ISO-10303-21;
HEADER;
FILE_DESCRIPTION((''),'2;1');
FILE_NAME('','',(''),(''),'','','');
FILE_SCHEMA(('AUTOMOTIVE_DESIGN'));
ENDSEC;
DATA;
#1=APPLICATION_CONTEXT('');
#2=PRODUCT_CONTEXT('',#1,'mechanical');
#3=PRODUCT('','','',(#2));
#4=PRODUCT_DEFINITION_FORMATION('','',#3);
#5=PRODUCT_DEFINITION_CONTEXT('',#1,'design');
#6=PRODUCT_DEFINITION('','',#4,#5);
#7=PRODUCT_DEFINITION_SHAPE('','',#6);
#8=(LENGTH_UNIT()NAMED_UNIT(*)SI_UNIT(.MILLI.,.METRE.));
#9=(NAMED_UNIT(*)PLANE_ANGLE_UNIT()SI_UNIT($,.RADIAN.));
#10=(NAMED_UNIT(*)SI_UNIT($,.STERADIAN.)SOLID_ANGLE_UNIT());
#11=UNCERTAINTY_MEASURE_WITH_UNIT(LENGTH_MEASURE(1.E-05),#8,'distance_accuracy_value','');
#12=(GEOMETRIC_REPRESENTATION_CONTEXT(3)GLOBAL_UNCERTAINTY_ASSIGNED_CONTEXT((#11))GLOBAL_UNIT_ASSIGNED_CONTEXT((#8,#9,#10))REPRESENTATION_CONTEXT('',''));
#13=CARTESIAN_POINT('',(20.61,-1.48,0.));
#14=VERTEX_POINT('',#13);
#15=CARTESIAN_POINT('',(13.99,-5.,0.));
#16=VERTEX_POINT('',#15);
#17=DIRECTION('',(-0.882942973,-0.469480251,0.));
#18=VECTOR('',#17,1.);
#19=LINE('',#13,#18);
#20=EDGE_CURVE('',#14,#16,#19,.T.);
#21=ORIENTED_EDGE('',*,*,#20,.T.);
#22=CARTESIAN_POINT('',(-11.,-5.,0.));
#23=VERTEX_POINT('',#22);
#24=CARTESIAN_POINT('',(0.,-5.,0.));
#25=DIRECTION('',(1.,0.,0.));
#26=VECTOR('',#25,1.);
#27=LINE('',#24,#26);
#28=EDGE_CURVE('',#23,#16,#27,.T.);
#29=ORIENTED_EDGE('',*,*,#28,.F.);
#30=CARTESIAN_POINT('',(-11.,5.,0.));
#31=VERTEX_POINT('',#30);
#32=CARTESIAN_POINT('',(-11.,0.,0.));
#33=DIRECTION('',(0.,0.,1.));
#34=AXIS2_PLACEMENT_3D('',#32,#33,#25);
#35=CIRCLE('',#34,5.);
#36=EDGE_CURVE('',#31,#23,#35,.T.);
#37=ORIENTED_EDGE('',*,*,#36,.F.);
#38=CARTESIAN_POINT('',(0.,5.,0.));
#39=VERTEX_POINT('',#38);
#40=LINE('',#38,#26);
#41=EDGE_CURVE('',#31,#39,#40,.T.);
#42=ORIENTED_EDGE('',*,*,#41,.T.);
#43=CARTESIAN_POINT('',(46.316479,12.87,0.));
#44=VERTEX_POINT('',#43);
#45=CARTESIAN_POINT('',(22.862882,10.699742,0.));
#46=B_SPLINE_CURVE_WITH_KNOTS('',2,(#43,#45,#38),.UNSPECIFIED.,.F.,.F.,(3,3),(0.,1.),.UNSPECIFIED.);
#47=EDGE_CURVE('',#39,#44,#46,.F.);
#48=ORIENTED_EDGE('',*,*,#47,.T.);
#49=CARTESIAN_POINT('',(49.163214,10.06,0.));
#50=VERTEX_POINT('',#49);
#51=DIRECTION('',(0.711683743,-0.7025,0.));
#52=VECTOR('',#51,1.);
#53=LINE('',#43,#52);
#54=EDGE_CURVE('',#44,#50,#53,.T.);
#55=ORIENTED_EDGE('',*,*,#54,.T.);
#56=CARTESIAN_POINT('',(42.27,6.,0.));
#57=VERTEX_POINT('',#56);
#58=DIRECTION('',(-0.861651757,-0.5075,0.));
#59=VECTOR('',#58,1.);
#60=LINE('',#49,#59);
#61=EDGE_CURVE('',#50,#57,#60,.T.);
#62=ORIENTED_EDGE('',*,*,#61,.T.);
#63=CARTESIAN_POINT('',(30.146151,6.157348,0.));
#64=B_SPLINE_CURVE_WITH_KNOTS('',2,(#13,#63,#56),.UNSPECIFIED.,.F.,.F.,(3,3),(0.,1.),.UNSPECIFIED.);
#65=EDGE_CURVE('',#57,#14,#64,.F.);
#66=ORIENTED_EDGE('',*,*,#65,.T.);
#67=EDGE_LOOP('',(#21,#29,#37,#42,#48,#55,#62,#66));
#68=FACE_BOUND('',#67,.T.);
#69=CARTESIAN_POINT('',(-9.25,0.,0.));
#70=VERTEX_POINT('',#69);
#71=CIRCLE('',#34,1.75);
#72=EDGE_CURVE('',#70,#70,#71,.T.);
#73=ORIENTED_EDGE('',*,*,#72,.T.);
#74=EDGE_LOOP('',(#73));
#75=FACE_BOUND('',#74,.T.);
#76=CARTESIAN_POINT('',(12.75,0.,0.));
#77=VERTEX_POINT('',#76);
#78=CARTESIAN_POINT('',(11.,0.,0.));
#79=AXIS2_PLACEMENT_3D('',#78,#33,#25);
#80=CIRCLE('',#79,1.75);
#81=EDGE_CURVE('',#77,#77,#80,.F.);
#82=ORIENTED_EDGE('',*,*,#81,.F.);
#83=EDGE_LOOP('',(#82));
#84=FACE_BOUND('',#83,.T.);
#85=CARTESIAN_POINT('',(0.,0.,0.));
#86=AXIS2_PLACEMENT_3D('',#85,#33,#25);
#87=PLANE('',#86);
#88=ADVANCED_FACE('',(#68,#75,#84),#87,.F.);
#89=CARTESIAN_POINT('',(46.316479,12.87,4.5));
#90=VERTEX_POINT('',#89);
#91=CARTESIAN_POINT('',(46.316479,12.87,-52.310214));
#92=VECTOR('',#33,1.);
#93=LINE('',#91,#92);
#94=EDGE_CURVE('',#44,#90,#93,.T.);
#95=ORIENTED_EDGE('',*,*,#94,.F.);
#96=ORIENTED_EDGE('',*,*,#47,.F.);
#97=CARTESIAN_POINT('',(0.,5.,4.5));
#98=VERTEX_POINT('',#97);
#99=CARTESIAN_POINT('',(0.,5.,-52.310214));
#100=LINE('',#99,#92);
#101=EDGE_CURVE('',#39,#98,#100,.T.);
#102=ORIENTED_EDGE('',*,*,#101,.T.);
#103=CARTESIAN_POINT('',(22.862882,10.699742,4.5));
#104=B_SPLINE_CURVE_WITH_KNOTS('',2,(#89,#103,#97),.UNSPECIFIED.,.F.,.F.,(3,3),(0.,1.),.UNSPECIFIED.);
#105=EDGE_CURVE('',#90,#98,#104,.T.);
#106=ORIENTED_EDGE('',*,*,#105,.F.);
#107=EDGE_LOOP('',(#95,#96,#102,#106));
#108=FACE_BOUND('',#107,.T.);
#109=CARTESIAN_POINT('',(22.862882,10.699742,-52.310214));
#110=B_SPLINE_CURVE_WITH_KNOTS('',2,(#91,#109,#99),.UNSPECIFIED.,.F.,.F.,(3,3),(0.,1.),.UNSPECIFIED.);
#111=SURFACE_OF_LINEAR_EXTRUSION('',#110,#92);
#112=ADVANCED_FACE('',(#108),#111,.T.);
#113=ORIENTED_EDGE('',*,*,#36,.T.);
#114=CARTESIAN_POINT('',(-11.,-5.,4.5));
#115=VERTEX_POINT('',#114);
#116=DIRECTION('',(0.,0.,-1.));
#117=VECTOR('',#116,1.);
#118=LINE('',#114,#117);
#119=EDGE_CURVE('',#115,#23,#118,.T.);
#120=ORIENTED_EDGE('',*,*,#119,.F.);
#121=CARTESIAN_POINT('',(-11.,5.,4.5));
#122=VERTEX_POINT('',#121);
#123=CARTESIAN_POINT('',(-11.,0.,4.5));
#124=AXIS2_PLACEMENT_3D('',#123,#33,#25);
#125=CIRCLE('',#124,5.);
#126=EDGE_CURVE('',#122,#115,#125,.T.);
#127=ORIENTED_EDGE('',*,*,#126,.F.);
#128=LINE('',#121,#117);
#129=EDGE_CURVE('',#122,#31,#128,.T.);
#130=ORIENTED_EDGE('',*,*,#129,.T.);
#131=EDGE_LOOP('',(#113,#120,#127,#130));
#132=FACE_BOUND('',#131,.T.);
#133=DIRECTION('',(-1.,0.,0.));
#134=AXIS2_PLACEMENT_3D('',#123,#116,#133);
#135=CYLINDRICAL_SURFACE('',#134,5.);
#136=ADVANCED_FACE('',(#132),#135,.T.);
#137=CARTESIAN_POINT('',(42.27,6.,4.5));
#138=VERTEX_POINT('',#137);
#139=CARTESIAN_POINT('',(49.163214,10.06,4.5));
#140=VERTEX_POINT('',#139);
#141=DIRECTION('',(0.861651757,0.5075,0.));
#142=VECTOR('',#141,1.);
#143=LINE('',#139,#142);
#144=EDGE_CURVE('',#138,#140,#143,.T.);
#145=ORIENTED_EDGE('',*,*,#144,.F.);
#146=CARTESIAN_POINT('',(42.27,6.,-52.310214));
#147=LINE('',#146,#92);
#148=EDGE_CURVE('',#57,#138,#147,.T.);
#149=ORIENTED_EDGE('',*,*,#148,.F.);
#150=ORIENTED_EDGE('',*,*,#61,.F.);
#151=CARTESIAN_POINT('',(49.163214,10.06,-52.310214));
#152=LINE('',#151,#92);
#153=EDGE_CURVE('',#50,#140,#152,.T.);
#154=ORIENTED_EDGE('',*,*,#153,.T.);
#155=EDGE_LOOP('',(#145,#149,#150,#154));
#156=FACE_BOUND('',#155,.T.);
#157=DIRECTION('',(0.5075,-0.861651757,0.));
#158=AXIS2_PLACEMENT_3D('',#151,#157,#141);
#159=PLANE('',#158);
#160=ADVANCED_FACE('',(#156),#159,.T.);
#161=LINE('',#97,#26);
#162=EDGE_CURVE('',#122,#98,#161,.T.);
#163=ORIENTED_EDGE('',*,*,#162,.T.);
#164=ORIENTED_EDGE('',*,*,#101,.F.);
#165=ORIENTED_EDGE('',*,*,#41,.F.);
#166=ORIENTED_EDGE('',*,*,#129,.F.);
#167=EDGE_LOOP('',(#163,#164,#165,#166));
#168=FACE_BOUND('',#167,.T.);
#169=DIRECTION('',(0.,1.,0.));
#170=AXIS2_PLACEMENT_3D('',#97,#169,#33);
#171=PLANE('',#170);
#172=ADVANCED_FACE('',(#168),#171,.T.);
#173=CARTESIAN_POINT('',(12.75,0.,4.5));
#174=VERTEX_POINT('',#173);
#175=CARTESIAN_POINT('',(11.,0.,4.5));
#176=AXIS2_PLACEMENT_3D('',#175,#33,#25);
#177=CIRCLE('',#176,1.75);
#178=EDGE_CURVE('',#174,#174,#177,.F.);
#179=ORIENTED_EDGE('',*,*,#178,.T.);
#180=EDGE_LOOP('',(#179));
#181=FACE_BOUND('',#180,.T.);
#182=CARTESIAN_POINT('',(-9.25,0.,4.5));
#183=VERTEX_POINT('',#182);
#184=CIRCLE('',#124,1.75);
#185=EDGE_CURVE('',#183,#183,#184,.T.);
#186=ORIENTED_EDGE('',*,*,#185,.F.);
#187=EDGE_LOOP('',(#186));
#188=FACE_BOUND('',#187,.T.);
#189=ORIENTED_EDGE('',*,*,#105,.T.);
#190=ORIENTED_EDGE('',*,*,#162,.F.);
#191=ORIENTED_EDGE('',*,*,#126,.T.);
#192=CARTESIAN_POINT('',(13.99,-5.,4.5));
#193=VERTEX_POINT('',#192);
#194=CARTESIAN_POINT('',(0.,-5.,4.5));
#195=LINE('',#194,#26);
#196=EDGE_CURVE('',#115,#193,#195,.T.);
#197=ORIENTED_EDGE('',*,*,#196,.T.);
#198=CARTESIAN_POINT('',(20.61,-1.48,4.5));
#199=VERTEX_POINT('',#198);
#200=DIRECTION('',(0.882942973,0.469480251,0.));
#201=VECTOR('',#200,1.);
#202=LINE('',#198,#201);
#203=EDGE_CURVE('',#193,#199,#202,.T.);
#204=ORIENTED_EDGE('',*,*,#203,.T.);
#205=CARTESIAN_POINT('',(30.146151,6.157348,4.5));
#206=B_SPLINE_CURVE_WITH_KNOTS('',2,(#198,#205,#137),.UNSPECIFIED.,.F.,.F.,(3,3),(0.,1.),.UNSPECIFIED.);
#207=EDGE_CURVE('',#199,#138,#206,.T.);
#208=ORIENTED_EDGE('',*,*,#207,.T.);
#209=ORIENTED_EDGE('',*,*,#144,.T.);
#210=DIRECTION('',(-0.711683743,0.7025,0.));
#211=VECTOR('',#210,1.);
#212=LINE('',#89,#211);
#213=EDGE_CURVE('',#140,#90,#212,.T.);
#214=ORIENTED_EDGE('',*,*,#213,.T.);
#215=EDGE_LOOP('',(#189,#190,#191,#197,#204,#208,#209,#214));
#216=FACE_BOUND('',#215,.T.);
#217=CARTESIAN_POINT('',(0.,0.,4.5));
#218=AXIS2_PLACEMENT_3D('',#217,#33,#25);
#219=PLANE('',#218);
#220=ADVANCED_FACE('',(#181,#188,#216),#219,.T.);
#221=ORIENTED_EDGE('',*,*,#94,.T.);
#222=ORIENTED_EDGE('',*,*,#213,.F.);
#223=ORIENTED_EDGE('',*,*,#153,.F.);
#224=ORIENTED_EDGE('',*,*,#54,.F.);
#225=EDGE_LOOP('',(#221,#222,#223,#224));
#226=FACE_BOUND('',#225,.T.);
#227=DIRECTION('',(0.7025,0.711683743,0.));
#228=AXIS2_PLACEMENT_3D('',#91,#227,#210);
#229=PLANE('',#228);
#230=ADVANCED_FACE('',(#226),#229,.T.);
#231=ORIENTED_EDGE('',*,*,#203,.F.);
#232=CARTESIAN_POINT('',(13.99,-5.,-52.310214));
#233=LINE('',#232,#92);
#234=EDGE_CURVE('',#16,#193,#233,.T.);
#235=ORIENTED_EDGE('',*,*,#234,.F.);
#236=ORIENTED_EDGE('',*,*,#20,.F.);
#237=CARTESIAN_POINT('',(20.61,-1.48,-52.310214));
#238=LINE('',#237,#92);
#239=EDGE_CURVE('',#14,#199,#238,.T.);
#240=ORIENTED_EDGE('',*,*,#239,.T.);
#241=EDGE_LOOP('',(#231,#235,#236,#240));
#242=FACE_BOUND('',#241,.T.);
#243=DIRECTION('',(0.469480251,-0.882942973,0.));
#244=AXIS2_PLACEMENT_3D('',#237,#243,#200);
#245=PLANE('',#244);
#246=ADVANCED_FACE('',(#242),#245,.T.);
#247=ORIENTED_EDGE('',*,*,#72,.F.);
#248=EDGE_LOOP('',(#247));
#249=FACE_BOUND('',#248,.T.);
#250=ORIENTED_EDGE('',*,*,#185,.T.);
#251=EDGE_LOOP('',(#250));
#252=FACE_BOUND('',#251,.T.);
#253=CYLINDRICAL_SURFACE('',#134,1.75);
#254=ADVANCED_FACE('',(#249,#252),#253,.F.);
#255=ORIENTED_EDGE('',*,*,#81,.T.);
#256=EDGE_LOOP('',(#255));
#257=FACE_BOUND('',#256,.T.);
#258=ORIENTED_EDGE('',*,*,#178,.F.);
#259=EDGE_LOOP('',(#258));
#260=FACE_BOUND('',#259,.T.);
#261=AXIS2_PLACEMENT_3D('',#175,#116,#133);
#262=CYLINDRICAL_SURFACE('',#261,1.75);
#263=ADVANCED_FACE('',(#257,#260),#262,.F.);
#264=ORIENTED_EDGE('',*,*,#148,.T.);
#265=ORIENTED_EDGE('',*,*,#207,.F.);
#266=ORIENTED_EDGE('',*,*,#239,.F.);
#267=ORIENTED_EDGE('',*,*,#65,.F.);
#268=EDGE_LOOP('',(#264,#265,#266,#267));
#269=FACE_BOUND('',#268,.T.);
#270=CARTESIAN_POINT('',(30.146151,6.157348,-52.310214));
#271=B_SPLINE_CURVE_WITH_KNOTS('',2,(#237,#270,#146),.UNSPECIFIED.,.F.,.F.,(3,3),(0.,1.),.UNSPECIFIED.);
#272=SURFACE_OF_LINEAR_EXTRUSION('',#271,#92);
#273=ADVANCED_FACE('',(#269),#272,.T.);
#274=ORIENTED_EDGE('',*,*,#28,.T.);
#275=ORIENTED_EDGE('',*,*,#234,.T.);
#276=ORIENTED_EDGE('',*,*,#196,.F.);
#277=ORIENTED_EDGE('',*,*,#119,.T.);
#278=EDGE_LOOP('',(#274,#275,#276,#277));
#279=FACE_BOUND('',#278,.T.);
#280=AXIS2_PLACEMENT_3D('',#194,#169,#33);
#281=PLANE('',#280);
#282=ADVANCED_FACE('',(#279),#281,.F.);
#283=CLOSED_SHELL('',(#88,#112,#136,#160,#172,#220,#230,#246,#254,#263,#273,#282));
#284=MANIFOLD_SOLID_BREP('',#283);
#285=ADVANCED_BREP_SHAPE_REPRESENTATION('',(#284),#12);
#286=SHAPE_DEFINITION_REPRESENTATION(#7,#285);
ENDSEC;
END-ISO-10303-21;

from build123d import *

# Parameters (mm, degrees)
SKETCH1_R           = 5
SKETCH1_R_2         = 1.75
BOSS_EXTRUDE1_DEPTH = 4.5
BOSS_EXTRUDE2_START = -4.5
BOSS_EXTRUDE2_DEPTH = 4.5


with BuildPart() as part:
    # Sketch1 → Boss-Extrude1 (new body)
    # profile 1 of 3: a face of its own
    with BuildSketch(Plane.XY):
        with BuildLine():
            Line((11.000000016, 5), (-11, 5))
            ThreePointArc((-11, 5), (-7.464466094, 3.535533906), (-6, 0))
            ThreePointArc((-6, 0), (-7.464466094, -3.535533906), (-11, -5))
            Line((-11, -5), (11, -5))
            ThreePointArc((11, -5), (6, 8e-09), (11.000000016, 5))
        make_face()
    # profile 2 of 3: a face of its own
    with BuildSketch(Plane.XY):
        with Locations((-11, 0)):
            Circle(SKETCH1_R)
        with Locations((-11, 0)):
            Circle(SKETCH1_R_2, mode=Mode.SUBTRACT)
    # profile 3 of 3: a face of its own
    with BuildSketch(Plane.XY):
        with Locations((11, 0)):
            Circle(SKETCH1_R)
        with Locations((11, 0)):
            Circle(SKETCH1_R_2, mode=Mode.SUBTRACT)
    extrude(amount=BOSS_EXTRUDE1_DEPTH)

    # Sketch2 → Boss-Extrude2 (add)
    with BuildSketch(Plane.XY.offset(4.5).offset(BOSS_EXTRUDE2_START)):
        with BuildLine():
            Line((46.316479083, 12.87), (49.163214054, 10.06))
            Line((49.163214054, 10.06), (42.27, 6))
            add(Edge.make_bspline(
                [(42.27, 6), (30.146150748, 6.157348305), (20.61, -1.48)],
                knots=[0, 0, 0, 1, 1, 1], degree=2))
            Line((20.61, -1.48), (13.99, -5))
            Line((13.99, -5), (11, -5))
            ThreePointArc((11, -5), (16, 0), (11, 5))
            Line((11, 5), (0, 5))
            add(Edge.make_bspline(
                [(0, 5), (22.862881716, 10.69974244), (46.316479083, 12.87)],
                knots=[0, 0, 0, 1, 1, 1], degree=2))
        make_face()
    extrude(amount=BOSS_EXTRUDE2_DEPTH)


solid = part.part
